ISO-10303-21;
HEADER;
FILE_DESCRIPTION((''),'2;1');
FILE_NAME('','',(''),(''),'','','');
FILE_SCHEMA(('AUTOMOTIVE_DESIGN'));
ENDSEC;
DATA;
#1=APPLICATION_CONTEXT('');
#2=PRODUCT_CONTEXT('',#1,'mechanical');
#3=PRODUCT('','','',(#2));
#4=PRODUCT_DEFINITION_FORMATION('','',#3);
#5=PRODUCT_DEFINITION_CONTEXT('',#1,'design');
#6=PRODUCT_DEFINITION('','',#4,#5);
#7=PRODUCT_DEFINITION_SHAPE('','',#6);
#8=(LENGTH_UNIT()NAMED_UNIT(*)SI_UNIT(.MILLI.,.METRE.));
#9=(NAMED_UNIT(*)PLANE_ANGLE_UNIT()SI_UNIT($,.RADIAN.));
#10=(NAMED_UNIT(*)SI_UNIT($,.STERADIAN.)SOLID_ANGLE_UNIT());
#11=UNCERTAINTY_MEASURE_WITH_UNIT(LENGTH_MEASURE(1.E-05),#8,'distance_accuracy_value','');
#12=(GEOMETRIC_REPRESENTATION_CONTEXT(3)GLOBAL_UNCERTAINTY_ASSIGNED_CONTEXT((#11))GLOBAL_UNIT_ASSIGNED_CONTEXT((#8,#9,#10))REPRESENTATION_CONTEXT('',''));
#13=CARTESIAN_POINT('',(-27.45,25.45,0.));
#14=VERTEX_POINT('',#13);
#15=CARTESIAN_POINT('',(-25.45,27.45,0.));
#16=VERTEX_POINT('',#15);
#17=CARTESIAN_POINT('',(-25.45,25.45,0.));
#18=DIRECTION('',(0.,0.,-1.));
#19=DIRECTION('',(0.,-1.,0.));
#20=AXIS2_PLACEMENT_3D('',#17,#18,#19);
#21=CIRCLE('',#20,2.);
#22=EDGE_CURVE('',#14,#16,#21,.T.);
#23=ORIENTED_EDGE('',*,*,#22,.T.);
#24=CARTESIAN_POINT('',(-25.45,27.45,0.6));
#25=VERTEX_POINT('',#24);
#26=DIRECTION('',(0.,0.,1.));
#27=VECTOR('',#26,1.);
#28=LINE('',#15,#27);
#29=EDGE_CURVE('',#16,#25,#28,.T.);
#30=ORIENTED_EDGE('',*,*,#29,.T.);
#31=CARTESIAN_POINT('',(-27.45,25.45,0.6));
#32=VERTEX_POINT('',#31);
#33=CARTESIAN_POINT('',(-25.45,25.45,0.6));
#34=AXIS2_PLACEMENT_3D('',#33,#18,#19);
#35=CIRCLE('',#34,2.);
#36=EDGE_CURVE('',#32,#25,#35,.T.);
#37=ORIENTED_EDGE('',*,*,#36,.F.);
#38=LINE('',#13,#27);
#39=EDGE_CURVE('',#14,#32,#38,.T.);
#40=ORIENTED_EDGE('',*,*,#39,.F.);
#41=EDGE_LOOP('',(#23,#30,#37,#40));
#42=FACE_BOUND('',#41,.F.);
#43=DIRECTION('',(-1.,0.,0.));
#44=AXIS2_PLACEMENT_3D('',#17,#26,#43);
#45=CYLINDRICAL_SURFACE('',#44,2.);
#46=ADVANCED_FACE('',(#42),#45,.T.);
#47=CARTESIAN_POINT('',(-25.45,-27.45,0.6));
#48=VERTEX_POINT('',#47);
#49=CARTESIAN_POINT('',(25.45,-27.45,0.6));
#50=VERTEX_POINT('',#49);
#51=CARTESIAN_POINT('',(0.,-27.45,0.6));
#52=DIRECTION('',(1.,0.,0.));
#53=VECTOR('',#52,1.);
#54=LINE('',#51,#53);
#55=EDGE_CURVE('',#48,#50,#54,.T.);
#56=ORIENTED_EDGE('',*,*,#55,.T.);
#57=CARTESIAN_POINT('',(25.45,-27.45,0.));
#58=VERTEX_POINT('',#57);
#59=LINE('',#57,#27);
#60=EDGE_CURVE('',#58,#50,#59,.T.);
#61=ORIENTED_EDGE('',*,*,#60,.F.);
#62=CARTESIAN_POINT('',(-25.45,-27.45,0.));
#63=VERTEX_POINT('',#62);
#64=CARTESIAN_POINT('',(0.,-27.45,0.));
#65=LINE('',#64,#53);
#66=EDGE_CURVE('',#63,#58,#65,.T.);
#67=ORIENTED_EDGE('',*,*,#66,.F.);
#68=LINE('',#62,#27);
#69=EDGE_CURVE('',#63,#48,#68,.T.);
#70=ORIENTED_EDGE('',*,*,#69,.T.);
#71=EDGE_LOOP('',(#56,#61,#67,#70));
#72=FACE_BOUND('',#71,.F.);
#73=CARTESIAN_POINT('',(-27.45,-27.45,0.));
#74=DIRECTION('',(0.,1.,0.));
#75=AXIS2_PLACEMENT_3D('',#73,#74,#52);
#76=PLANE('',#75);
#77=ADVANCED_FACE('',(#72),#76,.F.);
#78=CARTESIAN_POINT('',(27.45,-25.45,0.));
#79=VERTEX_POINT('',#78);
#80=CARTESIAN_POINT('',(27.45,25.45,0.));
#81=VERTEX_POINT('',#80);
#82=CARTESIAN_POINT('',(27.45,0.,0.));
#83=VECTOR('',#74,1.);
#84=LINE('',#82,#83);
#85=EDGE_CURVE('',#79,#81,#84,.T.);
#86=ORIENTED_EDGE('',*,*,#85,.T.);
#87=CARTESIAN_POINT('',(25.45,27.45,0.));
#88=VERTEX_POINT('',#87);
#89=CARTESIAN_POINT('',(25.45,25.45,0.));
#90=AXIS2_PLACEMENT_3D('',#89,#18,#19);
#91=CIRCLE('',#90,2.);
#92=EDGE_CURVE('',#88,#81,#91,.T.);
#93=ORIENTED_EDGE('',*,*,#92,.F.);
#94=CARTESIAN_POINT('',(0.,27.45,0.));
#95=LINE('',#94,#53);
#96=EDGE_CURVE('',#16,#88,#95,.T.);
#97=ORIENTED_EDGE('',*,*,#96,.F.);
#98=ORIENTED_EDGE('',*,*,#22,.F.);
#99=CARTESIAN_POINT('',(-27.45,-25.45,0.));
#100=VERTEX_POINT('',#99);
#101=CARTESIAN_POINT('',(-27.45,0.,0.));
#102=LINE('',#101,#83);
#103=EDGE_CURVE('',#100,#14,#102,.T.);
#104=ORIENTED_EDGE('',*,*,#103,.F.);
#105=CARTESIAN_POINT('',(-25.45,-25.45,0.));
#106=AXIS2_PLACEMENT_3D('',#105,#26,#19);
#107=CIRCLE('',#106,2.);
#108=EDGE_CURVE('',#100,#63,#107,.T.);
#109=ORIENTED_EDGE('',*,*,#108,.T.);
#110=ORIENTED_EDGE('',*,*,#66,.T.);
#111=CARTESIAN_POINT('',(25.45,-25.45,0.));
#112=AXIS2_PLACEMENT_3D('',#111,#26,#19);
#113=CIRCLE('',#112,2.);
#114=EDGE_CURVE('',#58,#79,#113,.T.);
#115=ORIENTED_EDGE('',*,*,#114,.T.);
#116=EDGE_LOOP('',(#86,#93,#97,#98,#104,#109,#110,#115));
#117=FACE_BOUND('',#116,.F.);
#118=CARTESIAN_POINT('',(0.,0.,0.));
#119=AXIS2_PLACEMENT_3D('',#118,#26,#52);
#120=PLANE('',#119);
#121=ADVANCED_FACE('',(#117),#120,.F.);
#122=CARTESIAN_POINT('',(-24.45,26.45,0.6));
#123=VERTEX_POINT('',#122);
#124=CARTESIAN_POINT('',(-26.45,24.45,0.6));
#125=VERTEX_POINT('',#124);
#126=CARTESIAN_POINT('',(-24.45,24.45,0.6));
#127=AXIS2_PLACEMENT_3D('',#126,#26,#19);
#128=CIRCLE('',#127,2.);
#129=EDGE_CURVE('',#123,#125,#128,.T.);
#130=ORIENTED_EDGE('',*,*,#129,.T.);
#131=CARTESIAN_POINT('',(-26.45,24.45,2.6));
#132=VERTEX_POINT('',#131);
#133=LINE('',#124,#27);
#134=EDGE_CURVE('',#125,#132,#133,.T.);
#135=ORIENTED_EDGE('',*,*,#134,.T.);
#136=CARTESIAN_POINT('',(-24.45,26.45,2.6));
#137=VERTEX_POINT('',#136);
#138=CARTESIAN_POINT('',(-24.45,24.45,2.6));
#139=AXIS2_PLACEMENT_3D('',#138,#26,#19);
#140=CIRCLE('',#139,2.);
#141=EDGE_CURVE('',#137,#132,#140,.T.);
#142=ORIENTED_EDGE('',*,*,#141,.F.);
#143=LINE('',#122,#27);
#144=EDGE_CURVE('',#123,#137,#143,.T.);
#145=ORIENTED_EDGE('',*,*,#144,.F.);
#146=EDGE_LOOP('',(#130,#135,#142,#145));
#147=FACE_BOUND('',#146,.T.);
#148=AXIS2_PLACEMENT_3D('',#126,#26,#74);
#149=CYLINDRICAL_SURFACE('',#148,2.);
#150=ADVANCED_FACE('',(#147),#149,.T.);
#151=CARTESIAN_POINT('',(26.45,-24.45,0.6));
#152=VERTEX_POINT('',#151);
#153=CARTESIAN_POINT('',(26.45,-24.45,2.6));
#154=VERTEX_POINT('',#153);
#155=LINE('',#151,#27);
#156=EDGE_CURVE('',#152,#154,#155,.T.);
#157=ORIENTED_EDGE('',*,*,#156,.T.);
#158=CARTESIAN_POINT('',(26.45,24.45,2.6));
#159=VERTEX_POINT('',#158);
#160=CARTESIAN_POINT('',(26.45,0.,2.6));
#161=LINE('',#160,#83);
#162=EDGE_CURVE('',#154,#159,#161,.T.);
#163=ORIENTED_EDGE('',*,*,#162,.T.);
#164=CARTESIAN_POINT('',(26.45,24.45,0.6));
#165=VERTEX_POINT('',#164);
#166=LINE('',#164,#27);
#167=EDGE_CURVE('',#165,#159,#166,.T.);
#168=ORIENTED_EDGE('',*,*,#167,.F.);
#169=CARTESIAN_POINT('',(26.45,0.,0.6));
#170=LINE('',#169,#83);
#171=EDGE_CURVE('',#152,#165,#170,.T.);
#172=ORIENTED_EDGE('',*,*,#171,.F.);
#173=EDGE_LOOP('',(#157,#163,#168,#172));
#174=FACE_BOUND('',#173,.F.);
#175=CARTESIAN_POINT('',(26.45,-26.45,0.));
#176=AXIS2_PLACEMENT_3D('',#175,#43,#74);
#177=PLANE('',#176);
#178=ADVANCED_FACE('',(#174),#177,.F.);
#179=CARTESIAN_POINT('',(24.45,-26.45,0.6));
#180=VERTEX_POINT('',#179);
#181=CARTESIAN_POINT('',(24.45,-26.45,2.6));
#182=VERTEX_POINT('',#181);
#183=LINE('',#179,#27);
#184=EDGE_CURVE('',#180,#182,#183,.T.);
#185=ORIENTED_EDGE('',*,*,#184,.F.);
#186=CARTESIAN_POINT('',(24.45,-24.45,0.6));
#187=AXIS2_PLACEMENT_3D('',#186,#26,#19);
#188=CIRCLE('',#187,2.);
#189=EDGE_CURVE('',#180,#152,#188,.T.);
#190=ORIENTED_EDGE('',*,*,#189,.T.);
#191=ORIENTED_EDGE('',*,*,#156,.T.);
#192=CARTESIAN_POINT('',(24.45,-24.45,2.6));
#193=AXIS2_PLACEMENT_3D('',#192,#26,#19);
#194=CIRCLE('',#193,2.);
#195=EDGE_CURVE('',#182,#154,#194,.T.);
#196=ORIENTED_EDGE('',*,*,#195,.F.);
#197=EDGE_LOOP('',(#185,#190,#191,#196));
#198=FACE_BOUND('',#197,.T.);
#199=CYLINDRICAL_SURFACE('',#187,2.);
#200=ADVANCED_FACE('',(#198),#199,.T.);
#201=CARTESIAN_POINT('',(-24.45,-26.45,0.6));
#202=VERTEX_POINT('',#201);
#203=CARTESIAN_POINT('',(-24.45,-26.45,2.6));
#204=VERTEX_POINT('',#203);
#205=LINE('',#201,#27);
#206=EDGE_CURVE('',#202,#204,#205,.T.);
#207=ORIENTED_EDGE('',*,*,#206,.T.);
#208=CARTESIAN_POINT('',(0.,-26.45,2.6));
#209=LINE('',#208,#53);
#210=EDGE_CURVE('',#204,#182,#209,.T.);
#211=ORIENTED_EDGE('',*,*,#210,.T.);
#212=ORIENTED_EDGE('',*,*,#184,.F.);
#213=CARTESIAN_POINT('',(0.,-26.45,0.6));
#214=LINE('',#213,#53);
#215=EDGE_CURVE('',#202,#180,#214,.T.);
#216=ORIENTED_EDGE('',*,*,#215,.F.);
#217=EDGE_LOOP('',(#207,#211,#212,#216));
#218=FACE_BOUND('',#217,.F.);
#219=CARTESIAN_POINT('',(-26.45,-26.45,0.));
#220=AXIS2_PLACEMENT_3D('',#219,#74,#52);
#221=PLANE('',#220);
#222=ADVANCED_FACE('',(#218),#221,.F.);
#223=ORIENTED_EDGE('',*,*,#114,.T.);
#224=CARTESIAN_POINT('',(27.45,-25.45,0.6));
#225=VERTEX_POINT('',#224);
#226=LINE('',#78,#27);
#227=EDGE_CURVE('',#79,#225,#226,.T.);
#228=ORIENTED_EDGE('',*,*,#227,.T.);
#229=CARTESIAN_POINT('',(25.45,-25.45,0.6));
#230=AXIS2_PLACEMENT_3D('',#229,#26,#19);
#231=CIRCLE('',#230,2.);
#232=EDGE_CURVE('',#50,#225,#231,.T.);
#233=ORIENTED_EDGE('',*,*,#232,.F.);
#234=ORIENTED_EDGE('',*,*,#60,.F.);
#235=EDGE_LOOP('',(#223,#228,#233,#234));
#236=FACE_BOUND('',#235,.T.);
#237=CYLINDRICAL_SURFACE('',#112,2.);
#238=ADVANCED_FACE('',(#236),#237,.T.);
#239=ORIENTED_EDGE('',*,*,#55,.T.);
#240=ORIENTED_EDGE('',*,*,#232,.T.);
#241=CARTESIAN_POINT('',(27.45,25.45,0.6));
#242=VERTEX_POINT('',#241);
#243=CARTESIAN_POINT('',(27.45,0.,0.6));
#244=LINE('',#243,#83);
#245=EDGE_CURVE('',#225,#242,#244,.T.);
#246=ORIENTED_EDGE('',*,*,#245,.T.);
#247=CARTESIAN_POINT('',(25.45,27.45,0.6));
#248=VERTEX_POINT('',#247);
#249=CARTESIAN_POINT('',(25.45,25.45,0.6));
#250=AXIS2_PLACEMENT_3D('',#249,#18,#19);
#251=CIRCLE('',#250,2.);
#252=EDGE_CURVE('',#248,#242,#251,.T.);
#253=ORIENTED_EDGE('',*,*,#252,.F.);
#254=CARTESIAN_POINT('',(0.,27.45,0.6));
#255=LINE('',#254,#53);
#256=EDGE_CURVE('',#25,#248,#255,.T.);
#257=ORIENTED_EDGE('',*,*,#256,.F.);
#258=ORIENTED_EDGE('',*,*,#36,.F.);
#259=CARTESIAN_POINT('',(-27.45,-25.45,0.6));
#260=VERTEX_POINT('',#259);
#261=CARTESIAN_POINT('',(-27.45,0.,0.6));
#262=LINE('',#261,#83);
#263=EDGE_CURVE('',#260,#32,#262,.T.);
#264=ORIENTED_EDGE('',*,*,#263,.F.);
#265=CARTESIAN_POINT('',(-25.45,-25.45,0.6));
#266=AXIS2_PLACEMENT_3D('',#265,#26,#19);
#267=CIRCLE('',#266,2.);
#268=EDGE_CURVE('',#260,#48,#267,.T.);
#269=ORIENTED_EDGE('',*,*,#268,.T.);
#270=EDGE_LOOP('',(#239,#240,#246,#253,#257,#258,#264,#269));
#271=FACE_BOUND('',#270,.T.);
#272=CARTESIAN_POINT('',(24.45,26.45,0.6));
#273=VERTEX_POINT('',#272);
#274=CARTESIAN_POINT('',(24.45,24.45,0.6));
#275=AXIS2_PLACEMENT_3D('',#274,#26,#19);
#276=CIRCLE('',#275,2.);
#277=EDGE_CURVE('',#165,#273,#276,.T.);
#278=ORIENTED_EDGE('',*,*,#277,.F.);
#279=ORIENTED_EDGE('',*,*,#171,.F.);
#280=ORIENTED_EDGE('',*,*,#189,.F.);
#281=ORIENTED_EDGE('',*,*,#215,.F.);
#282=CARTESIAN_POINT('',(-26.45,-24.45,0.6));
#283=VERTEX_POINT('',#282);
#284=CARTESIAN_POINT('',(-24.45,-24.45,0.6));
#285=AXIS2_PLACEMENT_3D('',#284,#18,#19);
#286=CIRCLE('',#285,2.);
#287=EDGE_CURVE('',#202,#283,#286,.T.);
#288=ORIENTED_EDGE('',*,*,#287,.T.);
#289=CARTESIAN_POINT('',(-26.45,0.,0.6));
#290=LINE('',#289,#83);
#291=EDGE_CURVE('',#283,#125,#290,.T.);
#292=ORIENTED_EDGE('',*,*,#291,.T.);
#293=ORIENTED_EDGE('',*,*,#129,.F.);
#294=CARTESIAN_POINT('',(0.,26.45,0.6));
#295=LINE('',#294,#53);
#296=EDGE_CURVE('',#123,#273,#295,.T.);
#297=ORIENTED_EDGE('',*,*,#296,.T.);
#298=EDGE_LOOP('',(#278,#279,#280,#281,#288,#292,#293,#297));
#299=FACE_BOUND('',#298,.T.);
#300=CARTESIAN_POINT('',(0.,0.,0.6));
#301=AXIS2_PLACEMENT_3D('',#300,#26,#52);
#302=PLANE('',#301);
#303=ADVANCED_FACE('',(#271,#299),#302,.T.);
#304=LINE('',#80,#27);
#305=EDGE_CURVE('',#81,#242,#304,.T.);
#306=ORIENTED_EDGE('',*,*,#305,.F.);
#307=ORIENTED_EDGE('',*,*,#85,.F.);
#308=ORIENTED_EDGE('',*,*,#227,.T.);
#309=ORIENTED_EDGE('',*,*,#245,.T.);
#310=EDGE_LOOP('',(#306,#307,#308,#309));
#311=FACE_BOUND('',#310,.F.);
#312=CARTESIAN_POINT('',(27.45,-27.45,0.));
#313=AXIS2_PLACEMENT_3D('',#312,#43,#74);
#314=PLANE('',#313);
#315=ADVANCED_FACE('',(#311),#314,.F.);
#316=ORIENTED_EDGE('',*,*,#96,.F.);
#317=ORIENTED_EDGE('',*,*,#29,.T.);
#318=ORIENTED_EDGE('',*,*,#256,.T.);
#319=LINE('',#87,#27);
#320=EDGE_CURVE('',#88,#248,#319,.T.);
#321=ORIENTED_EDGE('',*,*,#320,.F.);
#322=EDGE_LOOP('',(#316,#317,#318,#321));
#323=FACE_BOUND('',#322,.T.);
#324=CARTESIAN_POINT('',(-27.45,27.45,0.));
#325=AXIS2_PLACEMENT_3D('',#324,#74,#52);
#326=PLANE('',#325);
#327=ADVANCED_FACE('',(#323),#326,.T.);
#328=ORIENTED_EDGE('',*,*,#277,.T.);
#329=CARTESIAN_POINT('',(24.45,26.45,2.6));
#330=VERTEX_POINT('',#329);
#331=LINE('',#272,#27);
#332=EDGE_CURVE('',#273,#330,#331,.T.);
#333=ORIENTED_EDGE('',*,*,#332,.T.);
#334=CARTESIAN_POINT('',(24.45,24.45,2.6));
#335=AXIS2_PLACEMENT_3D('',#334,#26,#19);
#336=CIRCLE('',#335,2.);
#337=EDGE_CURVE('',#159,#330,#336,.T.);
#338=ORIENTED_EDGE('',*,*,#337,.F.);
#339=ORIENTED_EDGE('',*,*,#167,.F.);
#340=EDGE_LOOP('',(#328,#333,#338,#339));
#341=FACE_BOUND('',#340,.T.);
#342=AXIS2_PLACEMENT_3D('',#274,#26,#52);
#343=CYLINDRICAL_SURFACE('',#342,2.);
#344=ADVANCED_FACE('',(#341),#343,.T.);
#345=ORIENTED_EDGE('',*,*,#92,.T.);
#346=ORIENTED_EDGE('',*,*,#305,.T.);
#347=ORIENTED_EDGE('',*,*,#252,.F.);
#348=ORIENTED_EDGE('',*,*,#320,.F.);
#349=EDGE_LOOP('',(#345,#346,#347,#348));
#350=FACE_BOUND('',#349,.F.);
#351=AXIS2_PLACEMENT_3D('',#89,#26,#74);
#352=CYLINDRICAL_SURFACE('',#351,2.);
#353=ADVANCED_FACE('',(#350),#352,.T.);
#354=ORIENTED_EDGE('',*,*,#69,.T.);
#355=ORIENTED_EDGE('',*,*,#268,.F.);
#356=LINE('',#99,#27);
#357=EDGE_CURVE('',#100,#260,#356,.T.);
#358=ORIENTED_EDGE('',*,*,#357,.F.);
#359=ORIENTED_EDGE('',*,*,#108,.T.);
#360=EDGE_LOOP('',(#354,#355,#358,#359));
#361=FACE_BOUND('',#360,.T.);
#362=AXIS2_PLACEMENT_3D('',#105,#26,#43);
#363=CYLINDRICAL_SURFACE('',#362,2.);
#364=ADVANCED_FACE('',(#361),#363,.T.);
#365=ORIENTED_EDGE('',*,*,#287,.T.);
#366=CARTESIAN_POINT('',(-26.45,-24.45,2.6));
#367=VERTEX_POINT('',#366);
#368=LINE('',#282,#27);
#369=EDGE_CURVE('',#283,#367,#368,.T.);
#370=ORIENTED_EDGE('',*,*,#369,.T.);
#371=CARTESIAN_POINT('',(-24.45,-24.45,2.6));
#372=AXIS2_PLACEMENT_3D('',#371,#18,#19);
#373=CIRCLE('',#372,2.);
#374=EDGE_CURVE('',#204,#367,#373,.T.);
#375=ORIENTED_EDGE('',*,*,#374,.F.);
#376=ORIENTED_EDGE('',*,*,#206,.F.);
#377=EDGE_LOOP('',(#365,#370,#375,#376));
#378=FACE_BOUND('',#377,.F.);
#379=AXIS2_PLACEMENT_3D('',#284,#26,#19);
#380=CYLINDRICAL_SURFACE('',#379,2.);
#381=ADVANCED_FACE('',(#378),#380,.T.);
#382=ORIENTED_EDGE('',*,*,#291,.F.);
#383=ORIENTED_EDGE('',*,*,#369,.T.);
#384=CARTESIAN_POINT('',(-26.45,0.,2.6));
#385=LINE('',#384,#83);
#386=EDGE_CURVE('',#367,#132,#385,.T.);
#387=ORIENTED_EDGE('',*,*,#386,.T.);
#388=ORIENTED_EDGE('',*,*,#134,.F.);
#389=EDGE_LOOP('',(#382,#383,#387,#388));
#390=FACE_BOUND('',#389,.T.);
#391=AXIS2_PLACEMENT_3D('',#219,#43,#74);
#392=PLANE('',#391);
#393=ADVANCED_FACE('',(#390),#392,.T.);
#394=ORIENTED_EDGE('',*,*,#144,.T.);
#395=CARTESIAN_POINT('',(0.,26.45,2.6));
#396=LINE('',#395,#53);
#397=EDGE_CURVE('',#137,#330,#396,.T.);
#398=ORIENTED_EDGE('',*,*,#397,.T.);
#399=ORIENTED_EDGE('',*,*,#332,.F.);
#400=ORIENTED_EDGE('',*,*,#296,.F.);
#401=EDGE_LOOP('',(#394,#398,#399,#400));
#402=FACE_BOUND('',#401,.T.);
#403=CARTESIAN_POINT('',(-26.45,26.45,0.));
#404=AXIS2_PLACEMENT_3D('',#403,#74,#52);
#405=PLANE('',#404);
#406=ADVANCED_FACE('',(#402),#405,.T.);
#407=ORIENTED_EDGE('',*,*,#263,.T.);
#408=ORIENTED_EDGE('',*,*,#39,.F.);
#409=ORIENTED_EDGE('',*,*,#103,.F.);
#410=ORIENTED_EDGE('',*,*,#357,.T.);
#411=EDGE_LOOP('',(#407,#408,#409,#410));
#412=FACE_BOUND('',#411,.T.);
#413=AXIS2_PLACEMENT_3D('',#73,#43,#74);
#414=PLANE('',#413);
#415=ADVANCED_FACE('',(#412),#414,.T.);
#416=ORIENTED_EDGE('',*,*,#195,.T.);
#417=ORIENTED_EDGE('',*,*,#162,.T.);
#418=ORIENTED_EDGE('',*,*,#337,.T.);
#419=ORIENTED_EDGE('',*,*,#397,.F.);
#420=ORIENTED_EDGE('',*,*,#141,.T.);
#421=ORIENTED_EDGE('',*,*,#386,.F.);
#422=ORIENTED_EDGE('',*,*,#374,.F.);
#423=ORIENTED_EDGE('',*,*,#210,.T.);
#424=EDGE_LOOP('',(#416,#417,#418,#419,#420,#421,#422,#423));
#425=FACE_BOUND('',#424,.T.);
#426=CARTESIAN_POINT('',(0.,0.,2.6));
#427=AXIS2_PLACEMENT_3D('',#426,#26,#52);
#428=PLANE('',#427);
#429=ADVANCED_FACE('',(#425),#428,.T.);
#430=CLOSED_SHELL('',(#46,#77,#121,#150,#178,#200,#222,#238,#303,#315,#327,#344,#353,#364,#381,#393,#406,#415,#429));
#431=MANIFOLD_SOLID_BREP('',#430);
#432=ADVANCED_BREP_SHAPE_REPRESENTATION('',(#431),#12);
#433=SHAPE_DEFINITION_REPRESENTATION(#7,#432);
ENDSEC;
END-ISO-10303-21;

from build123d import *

# Parameters (mm, degrees)
F0_W     = 52.9
F0_H     = 52.9
F1_DEPTH = 2.6
F0_W_2   = 54.9
F0_H_2   = 54.9
F2_DEPTH = 0.6
F3_R     = 2


with BuildPart() as f1:
    # F0 (on Top) → F1 (new body)
    with BuildSketch(Plane.XY):
        Rectangle(F0_W, F0_H)
    extrude(amount=F1_DEPTH)

    # F0 (on Top) → F2 (join)
    with BuildSketch(Plane.XY):
        Rectangle(F0_W_2, F0_H_2)
        Rectangle(F0_W, F0_H, mode=Mode.SUBTRACT)
    extrude(amount=F2_DEPTH)

    # F3
    f3_edges = [f1.edges().sort_by_distance(p)[0] for p in [
        (-26.45, -26.45, 1.6),
        (26.45, -26.45, 1.6),
        (-26.45, 26.45, 1.6),
        (26.45, 26.45, 1.6),
        (-27.45, 27.45, 0.3),
        (-27.45, -27.45, 0.3),
        (27.45, -27.45, 0.3),
        (27.45, 27.45, 0.3),
    ]]
    fillet(f3_edges, radius=F3_R)


solid = f1.part
